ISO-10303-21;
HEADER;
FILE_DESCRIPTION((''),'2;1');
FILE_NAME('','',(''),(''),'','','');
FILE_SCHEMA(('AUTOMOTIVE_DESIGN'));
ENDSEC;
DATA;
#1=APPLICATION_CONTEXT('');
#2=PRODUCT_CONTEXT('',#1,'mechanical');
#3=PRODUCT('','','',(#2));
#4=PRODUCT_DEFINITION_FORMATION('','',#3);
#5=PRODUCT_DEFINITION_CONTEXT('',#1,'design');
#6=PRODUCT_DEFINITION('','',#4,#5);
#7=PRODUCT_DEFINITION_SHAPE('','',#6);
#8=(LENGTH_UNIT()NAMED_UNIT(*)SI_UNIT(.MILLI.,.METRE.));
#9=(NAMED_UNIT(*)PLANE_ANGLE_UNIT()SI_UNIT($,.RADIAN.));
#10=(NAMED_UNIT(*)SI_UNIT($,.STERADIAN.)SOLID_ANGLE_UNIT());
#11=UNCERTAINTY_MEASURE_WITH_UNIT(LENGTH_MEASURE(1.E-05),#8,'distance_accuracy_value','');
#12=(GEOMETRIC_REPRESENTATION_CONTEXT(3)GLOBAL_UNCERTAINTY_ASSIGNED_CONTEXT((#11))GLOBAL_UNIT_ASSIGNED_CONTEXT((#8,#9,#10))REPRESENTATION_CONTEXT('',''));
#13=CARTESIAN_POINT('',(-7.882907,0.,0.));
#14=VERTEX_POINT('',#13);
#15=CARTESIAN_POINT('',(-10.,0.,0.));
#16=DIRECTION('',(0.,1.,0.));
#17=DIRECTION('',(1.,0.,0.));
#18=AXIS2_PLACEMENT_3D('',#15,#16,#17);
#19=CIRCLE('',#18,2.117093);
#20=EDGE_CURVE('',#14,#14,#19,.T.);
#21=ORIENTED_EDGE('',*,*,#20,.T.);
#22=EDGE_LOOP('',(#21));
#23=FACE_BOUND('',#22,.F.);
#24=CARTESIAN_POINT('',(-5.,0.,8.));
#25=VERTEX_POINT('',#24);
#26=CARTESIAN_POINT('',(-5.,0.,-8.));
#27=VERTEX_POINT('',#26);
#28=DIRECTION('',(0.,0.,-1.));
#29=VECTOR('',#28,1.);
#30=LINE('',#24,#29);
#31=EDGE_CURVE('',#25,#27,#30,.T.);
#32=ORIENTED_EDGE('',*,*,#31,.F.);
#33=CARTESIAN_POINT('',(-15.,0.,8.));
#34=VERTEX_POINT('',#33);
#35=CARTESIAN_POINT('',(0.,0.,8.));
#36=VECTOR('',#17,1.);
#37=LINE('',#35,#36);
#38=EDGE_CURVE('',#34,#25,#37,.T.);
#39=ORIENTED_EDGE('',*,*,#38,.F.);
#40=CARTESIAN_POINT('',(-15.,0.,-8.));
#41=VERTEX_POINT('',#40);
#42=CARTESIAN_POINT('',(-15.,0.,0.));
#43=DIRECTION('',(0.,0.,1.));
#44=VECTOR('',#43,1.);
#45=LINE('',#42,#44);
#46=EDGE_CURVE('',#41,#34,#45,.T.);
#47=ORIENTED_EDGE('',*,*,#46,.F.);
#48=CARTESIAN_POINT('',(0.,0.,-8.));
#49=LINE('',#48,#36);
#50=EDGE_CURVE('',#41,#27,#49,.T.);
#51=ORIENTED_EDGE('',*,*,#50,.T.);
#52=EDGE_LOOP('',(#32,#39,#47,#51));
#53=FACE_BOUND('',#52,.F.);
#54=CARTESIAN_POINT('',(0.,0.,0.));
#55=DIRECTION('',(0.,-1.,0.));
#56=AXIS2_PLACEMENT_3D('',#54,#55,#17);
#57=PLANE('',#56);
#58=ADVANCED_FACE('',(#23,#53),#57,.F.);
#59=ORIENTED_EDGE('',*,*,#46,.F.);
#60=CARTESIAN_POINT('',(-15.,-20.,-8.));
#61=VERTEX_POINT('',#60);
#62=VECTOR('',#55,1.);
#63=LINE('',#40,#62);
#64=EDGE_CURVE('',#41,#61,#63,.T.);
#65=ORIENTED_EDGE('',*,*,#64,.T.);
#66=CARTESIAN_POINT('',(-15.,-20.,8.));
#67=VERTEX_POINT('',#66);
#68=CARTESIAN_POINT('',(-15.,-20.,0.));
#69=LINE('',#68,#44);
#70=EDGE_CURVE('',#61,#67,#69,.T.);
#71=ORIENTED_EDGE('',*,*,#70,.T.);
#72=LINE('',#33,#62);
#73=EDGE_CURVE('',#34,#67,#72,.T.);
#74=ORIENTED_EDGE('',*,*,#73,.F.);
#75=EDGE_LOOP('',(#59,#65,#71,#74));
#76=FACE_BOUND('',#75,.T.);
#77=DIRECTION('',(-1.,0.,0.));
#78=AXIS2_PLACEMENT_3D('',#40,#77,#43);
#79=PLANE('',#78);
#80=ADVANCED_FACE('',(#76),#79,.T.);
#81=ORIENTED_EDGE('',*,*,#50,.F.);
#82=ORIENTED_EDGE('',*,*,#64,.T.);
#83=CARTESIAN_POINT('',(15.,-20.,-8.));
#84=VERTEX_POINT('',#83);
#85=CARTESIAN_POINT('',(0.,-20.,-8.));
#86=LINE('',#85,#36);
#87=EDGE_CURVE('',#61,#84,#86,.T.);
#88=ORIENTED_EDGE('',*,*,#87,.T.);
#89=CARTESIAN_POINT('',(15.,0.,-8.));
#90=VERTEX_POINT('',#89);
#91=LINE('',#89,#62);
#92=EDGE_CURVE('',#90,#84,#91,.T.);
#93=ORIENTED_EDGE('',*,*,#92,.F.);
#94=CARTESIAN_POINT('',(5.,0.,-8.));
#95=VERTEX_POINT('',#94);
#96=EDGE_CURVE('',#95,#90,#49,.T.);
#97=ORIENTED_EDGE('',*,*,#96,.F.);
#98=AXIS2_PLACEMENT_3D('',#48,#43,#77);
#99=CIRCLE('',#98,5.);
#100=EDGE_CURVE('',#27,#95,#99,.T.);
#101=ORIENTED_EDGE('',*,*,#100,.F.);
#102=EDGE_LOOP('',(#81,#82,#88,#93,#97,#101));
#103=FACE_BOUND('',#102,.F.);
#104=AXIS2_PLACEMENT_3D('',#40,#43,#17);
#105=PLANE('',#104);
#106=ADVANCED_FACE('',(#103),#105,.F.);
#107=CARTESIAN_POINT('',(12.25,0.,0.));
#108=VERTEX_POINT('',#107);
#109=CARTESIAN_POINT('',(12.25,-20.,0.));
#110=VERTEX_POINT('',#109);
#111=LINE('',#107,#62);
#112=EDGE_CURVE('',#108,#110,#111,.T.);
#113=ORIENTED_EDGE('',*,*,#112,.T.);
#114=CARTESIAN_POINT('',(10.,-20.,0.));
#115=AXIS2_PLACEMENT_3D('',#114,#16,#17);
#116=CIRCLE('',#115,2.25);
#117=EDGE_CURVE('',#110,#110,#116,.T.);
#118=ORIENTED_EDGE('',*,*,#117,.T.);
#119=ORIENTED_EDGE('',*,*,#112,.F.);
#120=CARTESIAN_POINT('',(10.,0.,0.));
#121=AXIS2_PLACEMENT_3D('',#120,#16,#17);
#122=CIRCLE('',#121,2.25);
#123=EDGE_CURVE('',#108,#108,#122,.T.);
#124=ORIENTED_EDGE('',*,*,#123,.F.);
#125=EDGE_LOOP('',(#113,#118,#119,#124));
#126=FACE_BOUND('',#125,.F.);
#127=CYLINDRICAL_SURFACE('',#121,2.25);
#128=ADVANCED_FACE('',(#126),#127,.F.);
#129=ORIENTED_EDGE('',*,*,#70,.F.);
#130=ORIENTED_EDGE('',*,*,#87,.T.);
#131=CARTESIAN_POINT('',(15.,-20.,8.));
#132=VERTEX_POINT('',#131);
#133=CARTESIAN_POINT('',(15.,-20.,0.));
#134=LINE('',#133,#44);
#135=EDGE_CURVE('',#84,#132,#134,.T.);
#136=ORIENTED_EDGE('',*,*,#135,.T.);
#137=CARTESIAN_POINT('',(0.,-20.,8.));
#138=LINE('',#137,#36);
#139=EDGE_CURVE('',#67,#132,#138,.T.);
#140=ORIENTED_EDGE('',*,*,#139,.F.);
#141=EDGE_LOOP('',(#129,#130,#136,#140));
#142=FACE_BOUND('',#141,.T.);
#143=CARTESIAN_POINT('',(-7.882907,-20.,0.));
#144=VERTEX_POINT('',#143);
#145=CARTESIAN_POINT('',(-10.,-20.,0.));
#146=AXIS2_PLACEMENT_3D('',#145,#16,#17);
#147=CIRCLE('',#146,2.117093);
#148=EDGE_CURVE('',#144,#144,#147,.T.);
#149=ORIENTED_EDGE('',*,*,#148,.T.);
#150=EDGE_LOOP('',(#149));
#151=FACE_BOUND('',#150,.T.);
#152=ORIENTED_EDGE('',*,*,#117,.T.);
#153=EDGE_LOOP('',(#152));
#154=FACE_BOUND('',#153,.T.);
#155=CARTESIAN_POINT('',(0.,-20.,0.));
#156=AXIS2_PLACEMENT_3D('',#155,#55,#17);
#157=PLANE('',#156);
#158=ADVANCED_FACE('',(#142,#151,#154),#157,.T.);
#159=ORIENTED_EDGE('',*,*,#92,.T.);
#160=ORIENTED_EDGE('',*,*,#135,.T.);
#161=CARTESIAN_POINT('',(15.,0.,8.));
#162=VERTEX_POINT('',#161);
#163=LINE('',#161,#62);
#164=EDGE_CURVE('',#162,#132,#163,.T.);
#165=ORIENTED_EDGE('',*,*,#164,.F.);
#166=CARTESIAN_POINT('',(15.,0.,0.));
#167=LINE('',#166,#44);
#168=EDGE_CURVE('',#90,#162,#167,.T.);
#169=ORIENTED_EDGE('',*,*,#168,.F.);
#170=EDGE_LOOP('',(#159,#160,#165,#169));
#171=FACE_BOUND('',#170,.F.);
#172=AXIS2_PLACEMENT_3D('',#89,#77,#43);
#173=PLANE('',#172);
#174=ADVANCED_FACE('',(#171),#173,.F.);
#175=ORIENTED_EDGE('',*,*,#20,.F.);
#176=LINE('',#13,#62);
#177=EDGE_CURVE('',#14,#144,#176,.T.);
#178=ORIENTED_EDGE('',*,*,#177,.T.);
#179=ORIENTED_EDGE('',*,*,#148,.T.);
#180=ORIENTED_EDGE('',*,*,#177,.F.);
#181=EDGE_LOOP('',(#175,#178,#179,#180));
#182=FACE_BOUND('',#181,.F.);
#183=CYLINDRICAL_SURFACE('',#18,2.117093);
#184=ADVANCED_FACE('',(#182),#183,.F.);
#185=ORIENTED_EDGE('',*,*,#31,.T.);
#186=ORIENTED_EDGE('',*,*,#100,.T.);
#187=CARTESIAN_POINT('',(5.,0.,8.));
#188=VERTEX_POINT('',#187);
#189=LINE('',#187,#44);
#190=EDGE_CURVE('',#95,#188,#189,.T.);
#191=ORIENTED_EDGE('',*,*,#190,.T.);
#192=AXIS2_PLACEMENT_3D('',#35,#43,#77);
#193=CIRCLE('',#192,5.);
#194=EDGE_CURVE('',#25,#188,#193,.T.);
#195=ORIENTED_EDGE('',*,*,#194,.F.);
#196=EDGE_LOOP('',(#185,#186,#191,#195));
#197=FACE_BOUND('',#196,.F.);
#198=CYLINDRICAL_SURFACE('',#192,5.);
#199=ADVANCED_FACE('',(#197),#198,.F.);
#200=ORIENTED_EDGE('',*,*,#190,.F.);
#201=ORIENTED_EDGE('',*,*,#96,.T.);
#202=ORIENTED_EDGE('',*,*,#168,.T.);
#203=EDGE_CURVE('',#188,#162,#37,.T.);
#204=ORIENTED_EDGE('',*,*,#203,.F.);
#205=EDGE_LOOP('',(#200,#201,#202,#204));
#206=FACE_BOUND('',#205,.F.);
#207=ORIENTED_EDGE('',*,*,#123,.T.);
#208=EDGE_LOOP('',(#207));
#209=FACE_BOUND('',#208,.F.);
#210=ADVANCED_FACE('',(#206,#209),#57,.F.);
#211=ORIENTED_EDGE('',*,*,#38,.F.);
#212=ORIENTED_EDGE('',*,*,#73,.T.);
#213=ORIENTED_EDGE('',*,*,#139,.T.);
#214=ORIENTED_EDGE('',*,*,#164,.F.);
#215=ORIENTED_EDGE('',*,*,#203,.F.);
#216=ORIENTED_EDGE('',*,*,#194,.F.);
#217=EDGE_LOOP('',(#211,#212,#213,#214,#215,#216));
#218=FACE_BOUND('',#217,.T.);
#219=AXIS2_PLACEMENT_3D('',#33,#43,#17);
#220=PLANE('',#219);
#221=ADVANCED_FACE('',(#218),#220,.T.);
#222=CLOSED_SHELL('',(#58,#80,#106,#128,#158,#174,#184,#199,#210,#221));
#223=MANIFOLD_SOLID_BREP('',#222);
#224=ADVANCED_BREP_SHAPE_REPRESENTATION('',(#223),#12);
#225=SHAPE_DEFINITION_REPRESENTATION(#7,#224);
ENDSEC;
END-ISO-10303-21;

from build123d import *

# Parameters (mm, degrees)
SKETCH_W        = 30
SKETCH_H        = 16
PAD_DEPTH       = 20
SKETCH001_R     = 5
POCKET_DEPTH    = 16.001
SKETCH002_R     = 2.117093
SKETCH002_R_2   = 2.25
POCKET001_DEPTH = 20.001


with BuildPart() as part:
    # Sketch → Pad (new body)
    with BuildSketch(Plane.XZ):
        Rectangle(SKETCH_W, SKETCH_H)
    extrude(amount=PAD_DEPTH)

    # Sketch001 → Pocket (cut, through all)
    with BuildSketch(Plane(origin=(0, 0, 8), x_dir=(-1, 0, 0), z_dir=(0, 0, 1))):
        Circle(SKETCH001_R)
    extrude(amount=-POCKET_DEPTH, mode=Mode.SUBTRACT)

    # Sketch002 → Pocket001 (cut, through all)
    with BuildSketch(Plane(origin=(0, 0, 0), x_dir=(1, 0, 0), z_dir=(0, 1, 0))):
        with Locations((-10, 0)):
            Circle(SKETCH002_R)
        with Locations((10, 0)):
            Circle(SKETCH002_R_2)
    extrude(amount=-POCKET001_DEPTH, mode=Mode.SUBTRACT)


solid = part.part
